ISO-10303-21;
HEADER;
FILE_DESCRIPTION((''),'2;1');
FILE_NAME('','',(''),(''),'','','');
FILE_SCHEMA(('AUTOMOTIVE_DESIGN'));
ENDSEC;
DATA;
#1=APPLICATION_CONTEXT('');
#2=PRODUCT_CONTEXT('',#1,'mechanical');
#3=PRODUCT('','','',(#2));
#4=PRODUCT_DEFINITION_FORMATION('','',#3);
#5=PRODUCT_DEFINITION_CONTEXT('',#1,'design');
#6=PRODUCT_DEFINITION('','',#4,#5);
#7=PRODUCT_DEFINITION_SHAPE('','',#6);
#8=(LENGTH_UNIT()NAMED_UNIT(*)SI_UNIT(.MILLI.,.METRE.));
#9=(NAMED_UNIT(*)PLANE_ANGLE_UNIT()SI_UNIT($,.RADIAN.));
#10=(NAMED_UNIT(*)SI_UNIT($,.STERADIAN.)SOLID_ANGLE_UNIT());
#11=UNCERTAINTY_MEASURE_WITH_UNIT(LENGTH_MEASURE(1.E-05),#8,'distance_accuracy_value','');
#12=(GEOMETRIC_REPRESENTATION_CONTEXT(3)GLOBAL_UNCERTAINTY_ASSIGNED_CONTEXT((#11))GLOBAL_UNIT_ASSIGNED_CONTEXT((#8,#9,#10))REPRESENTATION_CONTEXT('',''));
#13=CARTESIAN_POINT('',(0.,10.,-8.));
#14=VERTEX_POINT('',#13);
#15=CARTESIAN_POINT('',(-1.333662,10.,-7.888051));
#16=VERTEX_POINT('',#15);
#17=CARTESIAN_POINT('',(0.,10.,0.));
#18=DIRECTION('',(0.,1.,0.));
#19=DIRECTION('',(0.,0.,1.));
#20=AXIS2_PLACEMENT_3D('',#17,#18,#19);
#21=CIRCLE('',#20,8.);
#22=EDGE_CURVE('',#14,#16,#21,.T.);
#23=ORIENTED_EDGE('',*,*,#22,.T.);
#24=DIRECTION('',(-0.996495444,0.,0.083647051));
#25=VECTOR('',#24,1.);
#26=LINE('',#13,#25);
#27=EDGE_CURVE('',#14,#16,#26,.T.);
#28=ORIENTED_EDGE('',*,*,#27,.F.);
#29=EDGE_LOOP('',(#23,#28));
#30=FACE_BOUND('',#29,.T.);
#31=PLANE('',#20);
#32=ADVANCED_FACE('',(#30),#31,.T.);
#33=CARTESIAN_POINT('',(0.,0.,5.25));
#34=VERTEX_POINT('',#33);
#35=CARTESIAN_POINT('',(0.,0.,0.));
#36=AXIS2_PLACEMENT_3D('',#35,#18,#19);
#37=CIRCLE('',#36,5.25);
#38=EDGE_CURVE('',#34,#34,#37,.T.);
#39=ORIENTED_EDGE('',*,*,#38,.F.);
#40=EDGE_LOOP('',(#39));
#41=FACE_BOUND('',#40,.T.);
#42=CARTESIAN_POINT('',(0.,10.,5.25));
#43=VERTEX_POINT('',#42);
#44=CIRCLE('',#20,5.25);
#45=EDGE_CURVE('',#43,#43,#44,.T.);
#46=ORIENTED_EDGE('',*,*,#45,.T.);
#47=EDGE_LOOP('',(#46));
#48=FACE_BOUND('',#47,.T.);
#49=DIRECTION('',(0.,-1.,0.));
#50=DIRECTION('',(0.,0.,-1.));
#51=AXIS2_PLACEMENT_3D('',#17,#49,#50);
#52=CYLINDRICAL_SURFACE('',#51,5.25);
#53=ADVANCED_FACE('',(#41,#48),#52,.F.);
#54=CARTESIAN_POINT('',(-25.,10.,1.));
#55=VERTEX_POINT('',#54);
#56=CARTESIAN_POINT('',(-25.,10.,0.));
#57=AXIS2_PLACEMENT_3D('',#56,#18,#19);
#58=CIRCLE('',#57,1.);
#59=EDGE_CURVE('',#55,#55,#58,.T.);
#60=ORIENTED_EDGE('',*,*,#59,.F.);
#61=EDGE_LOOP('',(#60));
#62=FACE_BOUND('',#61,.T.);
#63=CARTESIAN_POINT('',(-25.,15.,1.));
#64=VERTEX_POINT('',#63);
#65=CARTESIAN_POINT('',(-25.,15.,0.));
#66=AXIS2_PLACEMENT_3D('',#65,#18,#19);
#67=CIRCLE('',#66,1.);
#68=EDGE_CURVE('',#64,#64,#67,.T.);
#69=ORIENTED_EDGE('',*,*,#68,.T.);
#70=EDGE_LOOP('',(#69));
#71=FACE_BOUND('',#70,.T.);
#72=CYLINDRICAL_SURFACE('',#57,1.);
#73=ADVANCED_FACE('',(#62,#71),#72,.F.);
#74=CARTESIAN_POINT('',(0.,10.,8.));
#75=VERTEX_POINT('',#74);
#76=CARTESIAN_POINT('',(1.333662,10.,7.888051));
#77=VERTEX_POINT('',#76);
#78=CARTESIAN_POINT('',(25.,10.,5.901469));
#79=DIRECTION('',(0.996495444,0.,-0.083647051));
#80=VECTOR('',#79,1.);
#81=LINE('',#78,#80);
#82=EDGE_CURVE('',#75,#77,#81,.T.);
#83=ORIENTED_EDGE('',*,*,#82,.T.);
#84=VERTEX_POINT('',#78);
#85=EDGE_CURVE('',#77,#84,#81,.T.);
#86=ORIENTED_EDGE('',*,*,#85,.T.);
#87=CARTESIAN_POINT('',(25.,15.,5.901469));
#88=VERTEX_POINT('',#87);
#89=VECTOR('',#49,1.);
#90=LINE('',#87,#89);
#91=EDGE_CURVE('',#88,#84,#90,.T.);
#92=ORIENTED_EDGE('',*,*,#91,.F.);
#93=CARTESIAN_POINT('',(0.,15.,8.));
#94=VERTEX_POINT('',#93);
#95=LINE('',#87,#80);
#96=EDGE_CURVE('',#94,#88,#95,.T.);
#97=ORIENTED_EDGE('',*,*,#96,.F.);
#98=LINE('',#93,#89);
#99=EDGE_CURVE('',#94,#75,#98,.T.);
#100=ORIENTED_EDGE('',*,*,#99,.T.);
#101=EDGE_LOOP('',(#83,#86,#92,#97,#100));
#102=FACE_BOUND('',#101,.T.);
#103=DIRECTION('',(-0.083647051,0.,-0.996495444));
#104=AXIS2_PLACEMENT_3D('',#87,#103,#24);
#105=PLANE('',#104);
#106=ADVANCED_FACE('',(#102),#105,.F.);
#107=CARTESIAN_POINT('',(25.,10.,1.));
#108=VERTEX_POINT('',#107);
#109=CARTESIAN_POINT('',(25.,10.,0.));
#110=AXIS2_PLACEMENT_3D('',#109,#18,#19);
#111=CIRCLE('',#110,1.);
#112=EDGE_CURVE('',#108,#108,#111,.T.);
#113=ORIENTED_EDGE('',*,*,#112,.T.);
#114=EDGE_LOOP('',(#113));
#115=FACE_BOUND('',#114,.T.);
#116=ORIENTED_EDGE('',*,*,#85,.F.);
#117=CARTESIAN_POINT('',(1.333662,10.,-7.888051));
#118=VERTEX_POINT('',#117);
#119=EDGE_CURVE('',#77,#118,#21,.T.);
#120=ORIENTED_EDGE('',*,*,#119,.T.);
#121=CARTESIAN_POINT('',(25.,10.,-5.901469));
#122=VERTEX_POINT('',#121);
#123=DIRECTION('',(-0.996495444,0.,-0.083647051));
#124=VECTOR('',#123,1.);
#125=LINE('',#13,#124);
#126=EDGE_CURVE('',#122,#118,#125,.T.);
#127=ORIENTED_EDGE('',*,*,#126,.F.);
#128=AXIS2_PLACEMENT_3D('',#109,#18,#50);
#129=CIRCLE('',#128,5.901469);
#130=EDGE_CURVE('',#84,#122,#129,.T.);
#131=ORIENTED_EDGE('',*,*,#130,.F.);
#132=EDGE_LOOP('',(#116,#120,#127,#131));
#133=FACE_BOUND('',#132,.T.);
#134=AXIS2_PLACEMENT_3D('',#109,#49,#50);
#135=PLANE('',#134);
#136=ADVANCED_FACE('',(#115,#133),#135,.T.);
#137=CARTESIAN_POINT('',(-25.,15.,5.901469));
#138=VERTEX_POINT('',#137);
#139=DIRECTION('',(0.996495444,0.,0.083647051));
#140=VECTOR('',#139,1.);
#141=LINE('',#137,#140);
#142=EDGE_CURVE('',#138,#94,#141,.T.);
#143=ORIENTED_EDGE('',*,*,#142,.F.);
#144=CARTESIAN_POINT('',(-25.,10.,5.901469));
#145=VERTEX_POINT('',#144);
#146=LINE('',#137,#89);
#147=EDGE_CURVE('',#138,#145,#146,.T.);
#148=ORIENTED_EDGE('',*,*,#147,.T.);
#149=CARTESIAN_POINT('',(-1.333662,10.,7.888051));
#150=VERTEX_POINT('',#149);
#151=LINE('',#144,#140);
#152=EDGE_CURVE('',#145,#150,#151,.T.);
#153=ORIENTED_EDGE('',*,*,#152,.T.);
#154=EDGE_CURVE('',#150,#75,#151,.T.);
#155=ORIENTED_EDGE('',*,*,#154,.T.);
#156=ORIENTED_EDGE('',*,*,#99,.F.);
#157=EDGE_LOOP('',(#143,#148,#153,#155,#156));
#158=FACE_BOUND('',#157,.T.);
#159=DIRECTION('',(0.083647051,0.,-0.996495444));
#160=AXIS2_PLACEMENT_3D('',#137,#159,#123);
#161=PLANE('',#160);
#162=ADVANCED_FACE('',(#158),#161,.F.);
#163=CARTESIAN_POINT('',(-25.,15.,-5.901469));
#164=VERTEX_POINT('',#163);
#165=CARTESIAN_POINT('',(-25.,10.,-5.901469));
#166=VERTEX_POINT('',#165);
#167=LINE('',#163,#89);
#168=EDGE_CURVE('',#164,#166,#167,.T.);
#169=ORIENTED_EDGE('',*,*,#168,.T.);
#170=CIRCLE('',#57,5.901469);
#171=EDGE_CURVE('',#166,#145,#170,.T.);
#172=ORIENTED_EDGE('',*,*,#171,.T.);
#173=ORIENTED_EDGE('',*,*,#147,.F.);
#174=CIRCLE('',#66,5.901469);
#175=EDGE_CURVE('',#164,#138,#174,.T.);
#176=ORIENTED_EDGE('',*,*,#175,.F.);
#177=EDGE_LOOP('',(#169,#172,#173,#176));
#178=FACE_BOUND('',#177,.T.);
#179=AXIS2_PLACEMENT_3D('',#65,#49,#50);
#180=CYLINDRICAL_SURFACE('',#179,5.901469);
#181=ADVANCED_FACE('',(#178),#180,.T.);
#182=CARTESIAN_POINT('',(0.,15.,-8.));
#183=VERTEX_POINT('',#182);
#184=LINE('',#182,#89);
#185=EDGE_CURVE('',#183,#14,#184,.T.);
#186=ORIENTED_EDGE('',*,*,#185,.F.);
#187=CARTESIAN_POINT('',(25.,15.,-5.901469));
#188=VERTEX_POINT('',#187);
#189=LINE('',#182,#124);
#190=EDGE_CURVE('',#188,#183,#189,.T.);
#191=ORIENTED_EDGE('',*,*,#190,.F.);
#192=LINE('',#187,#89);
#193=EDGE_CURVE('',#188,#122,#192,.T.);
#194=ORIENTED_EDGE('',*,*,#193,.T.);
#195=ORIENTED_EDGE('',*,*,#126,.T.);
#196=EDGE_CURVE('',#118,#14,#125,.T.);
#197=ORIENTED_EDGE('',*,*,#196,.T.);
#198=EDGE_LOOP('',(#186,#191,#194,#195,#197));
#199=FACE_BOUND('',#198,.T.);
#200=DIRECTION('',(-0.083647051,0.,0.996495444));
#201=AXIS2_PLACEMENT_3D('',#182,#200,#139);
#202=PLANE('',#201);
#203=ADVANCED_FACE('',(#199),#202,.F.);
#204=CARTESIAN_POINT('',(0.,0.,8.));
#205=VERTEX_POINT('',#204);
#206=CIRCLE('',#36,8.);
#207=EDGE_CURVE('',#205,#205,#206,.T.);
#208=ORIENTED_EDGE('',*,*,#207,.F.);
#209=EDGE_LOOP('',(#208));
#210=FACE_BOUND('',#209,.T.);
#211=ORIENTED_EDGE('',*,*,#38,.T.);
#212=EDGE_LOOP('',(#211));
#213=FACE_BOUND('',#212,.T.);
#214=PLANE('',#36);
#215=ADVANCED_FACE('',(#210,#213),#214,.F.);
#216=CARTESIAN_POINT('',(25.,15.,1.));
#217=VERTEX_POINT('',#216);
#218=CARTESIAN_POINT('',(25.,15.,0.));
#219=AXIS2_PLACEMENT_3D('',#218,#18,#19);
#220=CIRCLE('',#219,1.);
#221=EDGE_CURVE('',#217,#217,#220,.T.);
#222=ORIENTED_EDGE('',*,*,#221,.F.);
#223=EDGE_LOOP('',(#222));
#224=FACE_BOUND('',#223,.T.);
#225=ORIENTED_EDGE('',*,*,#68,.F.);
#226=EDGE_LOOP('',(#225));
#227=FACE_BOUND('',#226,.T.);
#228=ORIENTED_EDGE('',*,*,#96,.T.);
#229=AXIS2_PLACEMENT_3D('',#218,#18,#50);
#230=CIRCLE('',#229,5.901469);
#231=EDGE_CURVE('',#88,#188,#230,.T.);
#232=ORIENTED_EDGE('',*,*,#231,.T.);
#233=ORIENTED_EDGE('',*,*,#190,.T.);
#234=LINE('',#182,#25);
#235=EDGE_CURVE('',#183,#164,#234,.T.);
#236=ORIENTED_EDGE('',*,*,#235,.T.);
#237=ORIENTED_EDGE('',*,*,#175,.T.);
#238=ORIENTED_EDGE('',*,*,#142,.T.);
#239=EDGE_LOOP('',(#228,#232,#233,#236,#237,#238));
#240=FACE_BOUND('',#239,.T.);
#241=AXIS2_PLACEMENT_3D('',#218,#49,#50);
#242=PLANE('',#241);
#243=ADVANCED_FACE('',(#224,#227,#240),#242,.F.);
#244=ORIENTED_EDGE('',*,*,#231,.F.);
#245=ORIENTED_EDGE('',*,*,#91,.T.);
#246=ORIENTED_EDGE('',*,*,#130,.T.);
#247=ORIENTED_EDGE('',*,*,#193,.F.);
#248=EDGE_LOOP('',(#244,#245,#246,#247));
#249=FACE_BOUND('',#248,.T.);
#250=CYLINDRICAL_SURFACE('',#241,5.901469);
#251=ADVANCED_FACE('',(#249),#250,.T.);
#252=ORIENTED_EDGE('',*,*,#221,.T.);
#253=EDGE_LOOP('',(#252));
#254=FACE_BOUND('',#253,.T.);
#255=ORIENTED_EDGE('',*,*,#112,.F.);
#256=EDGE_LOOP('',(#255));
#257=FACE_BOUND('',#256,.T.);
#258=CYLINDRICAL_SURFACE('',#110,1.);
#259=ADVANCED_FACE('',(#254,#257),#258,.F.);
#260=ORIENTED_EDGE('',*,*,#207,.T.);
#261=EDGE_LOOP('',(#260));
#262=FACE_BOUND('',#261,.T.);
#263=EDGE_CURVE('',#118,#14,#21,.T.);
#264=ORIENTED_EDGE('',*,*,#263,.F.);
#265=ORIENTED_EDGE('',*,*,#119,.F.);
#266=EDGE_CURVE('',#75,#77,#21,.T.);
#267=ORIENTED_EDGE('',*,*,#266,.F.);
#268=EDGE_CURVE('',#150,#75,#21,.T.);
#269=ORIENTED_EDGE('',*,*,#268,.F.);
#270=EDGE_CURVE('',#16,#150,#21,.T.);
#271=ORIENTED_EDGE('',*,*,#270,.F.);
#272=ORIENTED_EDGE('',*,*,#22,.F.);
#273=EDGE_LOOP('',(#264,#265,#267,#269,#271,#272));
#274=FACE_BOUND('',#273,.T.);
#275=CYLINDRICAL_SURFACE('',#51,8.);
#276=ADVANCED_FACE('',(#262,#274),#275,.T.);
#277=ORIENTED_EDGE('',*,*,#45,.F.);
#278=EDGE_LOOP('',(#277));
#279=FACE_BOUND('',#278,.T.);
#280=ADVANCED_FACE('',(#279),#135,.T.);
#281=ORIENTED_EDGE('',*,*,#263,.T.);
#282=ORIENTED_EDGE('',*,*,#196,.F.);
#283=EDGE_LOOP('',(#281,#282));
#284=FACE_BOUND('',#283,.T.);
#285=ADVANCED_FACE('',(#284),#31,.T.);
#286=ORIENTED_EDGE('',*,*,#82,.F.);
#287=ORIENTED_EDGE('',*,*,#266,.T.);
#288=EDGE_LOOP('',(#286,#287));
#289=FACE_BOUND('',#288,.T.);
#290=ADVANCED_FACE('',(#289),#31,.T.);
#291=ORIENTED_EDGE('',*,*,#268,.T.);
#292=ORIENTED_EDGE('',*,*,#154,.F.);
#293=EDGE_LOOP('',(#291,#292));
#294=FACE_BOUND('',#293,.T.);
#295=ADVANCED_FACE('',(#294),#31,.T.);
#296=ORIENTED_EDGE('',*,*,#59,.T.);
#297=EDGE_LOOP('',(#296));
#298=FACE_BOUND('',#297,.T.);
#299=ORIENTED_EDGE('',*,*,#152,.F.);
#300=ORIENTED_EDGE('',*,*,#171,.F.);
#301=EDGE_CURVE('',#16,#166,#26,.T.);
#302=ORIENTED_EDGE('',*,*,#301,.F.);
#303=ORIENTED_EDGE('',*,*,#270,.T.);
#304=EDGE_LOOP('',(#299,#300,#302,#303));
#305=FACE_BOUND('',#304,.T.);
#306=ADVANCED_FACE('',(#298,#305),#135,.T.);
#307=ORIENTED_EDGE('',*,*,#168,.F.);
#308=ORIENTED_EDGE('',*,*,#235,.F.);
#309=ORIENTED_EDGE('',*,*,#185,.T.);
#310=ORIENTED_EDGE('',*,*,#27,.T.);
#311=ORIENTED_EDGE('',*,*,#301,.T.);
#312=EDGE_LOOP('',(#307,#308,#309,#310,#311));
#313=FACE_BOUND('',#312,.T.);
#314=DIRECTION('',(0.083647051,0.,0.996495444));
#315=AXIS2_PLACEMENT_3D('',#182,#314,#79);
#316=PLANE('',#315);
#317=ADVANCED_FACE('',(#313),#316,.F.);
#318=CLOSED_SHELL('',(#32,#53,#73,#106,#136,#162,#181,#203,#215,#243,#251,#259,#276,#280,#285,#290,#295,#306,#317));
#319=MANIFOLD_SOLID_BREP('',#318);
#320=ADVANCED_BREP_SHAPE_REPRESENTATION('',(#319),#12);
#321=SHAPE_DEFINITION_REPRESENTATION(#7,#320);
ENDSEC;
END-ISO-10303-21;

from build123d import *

# Parameters (mm, degrees)
SKETCH2_R           = 8
SKETCH2_R_2         = 5.25
BOSS_EXTRUDE1_DEPTH = 10
BOSS_EXTRUDE2_DEPTH = 5
SKETCH4_R           = 1
CUT_EXTRUDE1_DEPTH  = 5


with BuildPart() as part:
    # Sketch2 → Boss-Extrude1 (new body)
    with BuildSketch(Plane(origin=(0, 0, 0), x_dir=(1, 0, 0), z_dir=(0, 1, 0))):
        with Locations(Location((0, 0, 0), (0, 0, 270))):
            Circle(SKETCH2_R)
        with Locations(Location((0, 0, 0), (0, 0, 270))):
            Circle(SKETCH2_R_2, mode=Mode.SUBTRACT)
    extrude(amount=BOSS_EXTRUDE1_DEPTH)

    # Sketch3 → Boss-Extrude2 (add)
    with BuildSketch(Plane(origin=(0, 10, 0), x_dir=(1, 0, 0), z_dir=(0, 1, 0))):
        with BuildLine():
            Line((0, 8), (-25, 5.901469298))
            ThreePointArc((-25, 5.901469298), (-30.901469298, 0), (-25, -5.901469298))
            Line((-25, -5.901469298), (0, -8))
            Line((0, -8), (25, -5.901469298))
            ThreePointArc((25, -5.901469298), (30.901469298, 0), (25, 5.901469298))
            Line((25, 5.901469298), (0, 8))
        make_face()
    extrude(amount=BOSS_EXTRUDE2_DEPTH)

    # Sketch4 → Cut-Extrude1 (cut)
    with BuildSketch(Plane(origin=(0, 15, 0), x_dir=(1, 0, 0), z_dir=(0, 1, 0))):
        with Locations(Location((-25, 0, 0), (0, 0, 270))):
            Circle(SKETCH4_R)
        with Locations(Location((25, 0, 0), (0, 0, 270))):
            Circle(SKETCH4_R)
    extrude(amount=-CUT_EXTRUDE1_DEPTH, mode=Mode.SUBTRACT)


solid = part.part
